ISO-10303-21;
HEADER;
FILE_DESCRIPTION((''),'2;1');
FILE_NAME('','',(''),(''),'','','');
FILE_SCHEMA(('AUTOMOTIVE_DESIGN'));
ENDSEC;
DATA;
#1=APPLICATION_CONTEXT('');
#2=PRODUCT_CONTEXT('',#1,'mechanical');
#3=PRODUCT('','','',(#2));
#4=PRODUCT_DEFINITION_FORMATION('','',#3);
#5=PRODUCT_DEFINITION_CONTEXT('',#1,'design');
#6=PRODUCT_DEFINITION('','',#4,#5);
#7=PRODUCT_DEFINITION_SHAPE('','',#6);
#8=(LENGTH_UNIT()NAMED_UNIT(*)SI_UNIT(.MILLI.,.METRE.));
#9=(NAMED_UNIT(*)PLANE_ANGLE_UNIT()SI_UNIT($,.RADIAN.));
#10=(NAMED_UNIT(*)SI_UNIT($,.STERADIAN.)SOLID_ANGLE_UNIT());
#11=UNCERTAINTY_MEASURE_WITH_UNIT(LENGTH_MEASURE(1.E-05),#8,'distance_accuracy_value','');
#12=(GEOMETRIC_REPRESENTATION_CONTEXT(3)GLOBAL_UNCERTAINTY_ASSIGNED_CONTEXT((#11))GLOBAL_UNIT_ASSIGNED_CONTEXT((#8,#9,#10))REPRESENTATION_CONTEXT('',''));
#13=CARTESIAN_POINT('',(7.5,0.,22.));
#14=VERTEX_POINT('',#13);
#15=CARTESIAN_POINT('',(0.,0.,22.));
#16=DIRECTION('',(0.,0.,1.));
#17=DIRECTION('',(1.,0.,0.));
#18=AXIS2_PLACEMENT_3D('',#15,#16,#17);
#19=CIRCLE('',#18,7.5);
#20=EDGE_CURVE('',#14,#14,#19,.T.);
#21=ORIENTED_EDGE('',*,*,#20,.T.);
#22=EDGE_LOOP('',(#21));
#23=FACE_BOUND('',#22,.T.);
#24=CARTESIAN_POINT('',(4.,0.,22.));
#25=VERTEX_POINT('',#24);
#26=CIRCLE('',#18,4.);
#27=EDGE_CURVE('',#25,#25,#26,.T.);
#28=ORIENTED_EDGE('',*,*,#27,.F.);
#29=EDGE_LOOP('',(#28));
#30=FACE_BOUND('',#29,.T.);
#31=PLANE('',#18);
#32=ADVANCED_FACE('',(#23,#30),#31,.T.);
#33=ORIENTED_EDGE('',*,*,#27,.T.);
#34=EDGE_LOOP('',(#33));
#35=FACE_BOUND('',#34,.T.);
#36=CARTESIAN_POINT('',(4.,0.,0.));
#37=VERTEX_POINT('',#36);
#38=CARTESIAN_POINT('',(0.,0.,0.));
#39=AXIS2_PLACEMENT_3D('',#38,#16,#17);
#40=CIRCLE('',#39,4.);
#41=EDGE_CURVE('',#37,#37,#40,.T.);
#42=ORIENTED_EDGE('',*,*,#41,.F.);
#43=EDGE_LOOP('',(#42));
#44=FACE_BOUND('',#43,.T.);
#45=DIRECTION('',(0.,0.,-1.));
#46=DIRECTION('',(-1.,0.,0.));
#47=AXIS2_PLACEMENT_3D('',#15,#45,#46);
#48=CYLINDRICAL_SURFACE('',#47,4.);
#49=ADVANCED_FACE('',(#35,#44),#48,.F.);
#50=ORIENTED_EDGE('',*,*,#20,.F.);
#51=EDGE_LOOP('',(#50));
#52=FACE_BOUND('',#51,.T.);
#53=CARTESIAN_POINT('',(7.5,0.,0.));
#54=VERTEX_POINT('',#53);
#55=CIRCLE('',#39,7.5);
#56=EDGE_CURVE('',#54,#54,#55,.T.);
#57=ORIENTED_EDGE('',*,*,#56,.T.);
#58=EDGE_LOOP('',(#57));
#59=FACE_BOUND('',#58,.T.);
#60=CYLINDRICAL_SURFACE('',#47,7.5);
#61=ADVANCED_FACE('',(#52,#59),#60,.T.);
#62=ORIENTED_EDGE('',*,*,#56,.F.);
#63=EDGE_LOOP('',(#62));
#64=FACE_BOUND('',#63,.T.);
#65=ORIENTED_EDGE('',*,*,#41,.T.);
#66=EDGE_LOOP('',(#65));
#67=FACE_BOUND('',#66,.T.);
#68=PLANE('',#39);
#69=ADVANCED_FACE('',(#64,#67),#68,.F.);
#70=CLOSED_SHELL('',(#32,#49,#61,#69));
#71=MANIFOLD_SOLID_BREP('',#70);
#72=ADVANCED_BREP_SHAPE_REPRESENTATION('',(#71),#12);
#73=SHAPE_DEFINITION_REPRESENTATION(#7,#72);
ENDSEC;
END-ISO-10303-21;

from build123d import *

# Parameters (mm, degrees)
ESQUISSE1_R        = 7.5
ESQUISSE1_R_2      = 4
BOSS_EXTRU_1_DEPTH = 22


with BuildPart() as part:
    # Esquisse1 → Boss.-Extru.1 (new body)
    with BuildSketch(Plane.XY):
        Circle(ESQUISSE1_R)
        Circle(ESQUISSE1_R_2, mode=Mode.SUBTRACT)
    extrude(amount=BOSS_EXTRU_1_DEPTH)


solid = part.part
